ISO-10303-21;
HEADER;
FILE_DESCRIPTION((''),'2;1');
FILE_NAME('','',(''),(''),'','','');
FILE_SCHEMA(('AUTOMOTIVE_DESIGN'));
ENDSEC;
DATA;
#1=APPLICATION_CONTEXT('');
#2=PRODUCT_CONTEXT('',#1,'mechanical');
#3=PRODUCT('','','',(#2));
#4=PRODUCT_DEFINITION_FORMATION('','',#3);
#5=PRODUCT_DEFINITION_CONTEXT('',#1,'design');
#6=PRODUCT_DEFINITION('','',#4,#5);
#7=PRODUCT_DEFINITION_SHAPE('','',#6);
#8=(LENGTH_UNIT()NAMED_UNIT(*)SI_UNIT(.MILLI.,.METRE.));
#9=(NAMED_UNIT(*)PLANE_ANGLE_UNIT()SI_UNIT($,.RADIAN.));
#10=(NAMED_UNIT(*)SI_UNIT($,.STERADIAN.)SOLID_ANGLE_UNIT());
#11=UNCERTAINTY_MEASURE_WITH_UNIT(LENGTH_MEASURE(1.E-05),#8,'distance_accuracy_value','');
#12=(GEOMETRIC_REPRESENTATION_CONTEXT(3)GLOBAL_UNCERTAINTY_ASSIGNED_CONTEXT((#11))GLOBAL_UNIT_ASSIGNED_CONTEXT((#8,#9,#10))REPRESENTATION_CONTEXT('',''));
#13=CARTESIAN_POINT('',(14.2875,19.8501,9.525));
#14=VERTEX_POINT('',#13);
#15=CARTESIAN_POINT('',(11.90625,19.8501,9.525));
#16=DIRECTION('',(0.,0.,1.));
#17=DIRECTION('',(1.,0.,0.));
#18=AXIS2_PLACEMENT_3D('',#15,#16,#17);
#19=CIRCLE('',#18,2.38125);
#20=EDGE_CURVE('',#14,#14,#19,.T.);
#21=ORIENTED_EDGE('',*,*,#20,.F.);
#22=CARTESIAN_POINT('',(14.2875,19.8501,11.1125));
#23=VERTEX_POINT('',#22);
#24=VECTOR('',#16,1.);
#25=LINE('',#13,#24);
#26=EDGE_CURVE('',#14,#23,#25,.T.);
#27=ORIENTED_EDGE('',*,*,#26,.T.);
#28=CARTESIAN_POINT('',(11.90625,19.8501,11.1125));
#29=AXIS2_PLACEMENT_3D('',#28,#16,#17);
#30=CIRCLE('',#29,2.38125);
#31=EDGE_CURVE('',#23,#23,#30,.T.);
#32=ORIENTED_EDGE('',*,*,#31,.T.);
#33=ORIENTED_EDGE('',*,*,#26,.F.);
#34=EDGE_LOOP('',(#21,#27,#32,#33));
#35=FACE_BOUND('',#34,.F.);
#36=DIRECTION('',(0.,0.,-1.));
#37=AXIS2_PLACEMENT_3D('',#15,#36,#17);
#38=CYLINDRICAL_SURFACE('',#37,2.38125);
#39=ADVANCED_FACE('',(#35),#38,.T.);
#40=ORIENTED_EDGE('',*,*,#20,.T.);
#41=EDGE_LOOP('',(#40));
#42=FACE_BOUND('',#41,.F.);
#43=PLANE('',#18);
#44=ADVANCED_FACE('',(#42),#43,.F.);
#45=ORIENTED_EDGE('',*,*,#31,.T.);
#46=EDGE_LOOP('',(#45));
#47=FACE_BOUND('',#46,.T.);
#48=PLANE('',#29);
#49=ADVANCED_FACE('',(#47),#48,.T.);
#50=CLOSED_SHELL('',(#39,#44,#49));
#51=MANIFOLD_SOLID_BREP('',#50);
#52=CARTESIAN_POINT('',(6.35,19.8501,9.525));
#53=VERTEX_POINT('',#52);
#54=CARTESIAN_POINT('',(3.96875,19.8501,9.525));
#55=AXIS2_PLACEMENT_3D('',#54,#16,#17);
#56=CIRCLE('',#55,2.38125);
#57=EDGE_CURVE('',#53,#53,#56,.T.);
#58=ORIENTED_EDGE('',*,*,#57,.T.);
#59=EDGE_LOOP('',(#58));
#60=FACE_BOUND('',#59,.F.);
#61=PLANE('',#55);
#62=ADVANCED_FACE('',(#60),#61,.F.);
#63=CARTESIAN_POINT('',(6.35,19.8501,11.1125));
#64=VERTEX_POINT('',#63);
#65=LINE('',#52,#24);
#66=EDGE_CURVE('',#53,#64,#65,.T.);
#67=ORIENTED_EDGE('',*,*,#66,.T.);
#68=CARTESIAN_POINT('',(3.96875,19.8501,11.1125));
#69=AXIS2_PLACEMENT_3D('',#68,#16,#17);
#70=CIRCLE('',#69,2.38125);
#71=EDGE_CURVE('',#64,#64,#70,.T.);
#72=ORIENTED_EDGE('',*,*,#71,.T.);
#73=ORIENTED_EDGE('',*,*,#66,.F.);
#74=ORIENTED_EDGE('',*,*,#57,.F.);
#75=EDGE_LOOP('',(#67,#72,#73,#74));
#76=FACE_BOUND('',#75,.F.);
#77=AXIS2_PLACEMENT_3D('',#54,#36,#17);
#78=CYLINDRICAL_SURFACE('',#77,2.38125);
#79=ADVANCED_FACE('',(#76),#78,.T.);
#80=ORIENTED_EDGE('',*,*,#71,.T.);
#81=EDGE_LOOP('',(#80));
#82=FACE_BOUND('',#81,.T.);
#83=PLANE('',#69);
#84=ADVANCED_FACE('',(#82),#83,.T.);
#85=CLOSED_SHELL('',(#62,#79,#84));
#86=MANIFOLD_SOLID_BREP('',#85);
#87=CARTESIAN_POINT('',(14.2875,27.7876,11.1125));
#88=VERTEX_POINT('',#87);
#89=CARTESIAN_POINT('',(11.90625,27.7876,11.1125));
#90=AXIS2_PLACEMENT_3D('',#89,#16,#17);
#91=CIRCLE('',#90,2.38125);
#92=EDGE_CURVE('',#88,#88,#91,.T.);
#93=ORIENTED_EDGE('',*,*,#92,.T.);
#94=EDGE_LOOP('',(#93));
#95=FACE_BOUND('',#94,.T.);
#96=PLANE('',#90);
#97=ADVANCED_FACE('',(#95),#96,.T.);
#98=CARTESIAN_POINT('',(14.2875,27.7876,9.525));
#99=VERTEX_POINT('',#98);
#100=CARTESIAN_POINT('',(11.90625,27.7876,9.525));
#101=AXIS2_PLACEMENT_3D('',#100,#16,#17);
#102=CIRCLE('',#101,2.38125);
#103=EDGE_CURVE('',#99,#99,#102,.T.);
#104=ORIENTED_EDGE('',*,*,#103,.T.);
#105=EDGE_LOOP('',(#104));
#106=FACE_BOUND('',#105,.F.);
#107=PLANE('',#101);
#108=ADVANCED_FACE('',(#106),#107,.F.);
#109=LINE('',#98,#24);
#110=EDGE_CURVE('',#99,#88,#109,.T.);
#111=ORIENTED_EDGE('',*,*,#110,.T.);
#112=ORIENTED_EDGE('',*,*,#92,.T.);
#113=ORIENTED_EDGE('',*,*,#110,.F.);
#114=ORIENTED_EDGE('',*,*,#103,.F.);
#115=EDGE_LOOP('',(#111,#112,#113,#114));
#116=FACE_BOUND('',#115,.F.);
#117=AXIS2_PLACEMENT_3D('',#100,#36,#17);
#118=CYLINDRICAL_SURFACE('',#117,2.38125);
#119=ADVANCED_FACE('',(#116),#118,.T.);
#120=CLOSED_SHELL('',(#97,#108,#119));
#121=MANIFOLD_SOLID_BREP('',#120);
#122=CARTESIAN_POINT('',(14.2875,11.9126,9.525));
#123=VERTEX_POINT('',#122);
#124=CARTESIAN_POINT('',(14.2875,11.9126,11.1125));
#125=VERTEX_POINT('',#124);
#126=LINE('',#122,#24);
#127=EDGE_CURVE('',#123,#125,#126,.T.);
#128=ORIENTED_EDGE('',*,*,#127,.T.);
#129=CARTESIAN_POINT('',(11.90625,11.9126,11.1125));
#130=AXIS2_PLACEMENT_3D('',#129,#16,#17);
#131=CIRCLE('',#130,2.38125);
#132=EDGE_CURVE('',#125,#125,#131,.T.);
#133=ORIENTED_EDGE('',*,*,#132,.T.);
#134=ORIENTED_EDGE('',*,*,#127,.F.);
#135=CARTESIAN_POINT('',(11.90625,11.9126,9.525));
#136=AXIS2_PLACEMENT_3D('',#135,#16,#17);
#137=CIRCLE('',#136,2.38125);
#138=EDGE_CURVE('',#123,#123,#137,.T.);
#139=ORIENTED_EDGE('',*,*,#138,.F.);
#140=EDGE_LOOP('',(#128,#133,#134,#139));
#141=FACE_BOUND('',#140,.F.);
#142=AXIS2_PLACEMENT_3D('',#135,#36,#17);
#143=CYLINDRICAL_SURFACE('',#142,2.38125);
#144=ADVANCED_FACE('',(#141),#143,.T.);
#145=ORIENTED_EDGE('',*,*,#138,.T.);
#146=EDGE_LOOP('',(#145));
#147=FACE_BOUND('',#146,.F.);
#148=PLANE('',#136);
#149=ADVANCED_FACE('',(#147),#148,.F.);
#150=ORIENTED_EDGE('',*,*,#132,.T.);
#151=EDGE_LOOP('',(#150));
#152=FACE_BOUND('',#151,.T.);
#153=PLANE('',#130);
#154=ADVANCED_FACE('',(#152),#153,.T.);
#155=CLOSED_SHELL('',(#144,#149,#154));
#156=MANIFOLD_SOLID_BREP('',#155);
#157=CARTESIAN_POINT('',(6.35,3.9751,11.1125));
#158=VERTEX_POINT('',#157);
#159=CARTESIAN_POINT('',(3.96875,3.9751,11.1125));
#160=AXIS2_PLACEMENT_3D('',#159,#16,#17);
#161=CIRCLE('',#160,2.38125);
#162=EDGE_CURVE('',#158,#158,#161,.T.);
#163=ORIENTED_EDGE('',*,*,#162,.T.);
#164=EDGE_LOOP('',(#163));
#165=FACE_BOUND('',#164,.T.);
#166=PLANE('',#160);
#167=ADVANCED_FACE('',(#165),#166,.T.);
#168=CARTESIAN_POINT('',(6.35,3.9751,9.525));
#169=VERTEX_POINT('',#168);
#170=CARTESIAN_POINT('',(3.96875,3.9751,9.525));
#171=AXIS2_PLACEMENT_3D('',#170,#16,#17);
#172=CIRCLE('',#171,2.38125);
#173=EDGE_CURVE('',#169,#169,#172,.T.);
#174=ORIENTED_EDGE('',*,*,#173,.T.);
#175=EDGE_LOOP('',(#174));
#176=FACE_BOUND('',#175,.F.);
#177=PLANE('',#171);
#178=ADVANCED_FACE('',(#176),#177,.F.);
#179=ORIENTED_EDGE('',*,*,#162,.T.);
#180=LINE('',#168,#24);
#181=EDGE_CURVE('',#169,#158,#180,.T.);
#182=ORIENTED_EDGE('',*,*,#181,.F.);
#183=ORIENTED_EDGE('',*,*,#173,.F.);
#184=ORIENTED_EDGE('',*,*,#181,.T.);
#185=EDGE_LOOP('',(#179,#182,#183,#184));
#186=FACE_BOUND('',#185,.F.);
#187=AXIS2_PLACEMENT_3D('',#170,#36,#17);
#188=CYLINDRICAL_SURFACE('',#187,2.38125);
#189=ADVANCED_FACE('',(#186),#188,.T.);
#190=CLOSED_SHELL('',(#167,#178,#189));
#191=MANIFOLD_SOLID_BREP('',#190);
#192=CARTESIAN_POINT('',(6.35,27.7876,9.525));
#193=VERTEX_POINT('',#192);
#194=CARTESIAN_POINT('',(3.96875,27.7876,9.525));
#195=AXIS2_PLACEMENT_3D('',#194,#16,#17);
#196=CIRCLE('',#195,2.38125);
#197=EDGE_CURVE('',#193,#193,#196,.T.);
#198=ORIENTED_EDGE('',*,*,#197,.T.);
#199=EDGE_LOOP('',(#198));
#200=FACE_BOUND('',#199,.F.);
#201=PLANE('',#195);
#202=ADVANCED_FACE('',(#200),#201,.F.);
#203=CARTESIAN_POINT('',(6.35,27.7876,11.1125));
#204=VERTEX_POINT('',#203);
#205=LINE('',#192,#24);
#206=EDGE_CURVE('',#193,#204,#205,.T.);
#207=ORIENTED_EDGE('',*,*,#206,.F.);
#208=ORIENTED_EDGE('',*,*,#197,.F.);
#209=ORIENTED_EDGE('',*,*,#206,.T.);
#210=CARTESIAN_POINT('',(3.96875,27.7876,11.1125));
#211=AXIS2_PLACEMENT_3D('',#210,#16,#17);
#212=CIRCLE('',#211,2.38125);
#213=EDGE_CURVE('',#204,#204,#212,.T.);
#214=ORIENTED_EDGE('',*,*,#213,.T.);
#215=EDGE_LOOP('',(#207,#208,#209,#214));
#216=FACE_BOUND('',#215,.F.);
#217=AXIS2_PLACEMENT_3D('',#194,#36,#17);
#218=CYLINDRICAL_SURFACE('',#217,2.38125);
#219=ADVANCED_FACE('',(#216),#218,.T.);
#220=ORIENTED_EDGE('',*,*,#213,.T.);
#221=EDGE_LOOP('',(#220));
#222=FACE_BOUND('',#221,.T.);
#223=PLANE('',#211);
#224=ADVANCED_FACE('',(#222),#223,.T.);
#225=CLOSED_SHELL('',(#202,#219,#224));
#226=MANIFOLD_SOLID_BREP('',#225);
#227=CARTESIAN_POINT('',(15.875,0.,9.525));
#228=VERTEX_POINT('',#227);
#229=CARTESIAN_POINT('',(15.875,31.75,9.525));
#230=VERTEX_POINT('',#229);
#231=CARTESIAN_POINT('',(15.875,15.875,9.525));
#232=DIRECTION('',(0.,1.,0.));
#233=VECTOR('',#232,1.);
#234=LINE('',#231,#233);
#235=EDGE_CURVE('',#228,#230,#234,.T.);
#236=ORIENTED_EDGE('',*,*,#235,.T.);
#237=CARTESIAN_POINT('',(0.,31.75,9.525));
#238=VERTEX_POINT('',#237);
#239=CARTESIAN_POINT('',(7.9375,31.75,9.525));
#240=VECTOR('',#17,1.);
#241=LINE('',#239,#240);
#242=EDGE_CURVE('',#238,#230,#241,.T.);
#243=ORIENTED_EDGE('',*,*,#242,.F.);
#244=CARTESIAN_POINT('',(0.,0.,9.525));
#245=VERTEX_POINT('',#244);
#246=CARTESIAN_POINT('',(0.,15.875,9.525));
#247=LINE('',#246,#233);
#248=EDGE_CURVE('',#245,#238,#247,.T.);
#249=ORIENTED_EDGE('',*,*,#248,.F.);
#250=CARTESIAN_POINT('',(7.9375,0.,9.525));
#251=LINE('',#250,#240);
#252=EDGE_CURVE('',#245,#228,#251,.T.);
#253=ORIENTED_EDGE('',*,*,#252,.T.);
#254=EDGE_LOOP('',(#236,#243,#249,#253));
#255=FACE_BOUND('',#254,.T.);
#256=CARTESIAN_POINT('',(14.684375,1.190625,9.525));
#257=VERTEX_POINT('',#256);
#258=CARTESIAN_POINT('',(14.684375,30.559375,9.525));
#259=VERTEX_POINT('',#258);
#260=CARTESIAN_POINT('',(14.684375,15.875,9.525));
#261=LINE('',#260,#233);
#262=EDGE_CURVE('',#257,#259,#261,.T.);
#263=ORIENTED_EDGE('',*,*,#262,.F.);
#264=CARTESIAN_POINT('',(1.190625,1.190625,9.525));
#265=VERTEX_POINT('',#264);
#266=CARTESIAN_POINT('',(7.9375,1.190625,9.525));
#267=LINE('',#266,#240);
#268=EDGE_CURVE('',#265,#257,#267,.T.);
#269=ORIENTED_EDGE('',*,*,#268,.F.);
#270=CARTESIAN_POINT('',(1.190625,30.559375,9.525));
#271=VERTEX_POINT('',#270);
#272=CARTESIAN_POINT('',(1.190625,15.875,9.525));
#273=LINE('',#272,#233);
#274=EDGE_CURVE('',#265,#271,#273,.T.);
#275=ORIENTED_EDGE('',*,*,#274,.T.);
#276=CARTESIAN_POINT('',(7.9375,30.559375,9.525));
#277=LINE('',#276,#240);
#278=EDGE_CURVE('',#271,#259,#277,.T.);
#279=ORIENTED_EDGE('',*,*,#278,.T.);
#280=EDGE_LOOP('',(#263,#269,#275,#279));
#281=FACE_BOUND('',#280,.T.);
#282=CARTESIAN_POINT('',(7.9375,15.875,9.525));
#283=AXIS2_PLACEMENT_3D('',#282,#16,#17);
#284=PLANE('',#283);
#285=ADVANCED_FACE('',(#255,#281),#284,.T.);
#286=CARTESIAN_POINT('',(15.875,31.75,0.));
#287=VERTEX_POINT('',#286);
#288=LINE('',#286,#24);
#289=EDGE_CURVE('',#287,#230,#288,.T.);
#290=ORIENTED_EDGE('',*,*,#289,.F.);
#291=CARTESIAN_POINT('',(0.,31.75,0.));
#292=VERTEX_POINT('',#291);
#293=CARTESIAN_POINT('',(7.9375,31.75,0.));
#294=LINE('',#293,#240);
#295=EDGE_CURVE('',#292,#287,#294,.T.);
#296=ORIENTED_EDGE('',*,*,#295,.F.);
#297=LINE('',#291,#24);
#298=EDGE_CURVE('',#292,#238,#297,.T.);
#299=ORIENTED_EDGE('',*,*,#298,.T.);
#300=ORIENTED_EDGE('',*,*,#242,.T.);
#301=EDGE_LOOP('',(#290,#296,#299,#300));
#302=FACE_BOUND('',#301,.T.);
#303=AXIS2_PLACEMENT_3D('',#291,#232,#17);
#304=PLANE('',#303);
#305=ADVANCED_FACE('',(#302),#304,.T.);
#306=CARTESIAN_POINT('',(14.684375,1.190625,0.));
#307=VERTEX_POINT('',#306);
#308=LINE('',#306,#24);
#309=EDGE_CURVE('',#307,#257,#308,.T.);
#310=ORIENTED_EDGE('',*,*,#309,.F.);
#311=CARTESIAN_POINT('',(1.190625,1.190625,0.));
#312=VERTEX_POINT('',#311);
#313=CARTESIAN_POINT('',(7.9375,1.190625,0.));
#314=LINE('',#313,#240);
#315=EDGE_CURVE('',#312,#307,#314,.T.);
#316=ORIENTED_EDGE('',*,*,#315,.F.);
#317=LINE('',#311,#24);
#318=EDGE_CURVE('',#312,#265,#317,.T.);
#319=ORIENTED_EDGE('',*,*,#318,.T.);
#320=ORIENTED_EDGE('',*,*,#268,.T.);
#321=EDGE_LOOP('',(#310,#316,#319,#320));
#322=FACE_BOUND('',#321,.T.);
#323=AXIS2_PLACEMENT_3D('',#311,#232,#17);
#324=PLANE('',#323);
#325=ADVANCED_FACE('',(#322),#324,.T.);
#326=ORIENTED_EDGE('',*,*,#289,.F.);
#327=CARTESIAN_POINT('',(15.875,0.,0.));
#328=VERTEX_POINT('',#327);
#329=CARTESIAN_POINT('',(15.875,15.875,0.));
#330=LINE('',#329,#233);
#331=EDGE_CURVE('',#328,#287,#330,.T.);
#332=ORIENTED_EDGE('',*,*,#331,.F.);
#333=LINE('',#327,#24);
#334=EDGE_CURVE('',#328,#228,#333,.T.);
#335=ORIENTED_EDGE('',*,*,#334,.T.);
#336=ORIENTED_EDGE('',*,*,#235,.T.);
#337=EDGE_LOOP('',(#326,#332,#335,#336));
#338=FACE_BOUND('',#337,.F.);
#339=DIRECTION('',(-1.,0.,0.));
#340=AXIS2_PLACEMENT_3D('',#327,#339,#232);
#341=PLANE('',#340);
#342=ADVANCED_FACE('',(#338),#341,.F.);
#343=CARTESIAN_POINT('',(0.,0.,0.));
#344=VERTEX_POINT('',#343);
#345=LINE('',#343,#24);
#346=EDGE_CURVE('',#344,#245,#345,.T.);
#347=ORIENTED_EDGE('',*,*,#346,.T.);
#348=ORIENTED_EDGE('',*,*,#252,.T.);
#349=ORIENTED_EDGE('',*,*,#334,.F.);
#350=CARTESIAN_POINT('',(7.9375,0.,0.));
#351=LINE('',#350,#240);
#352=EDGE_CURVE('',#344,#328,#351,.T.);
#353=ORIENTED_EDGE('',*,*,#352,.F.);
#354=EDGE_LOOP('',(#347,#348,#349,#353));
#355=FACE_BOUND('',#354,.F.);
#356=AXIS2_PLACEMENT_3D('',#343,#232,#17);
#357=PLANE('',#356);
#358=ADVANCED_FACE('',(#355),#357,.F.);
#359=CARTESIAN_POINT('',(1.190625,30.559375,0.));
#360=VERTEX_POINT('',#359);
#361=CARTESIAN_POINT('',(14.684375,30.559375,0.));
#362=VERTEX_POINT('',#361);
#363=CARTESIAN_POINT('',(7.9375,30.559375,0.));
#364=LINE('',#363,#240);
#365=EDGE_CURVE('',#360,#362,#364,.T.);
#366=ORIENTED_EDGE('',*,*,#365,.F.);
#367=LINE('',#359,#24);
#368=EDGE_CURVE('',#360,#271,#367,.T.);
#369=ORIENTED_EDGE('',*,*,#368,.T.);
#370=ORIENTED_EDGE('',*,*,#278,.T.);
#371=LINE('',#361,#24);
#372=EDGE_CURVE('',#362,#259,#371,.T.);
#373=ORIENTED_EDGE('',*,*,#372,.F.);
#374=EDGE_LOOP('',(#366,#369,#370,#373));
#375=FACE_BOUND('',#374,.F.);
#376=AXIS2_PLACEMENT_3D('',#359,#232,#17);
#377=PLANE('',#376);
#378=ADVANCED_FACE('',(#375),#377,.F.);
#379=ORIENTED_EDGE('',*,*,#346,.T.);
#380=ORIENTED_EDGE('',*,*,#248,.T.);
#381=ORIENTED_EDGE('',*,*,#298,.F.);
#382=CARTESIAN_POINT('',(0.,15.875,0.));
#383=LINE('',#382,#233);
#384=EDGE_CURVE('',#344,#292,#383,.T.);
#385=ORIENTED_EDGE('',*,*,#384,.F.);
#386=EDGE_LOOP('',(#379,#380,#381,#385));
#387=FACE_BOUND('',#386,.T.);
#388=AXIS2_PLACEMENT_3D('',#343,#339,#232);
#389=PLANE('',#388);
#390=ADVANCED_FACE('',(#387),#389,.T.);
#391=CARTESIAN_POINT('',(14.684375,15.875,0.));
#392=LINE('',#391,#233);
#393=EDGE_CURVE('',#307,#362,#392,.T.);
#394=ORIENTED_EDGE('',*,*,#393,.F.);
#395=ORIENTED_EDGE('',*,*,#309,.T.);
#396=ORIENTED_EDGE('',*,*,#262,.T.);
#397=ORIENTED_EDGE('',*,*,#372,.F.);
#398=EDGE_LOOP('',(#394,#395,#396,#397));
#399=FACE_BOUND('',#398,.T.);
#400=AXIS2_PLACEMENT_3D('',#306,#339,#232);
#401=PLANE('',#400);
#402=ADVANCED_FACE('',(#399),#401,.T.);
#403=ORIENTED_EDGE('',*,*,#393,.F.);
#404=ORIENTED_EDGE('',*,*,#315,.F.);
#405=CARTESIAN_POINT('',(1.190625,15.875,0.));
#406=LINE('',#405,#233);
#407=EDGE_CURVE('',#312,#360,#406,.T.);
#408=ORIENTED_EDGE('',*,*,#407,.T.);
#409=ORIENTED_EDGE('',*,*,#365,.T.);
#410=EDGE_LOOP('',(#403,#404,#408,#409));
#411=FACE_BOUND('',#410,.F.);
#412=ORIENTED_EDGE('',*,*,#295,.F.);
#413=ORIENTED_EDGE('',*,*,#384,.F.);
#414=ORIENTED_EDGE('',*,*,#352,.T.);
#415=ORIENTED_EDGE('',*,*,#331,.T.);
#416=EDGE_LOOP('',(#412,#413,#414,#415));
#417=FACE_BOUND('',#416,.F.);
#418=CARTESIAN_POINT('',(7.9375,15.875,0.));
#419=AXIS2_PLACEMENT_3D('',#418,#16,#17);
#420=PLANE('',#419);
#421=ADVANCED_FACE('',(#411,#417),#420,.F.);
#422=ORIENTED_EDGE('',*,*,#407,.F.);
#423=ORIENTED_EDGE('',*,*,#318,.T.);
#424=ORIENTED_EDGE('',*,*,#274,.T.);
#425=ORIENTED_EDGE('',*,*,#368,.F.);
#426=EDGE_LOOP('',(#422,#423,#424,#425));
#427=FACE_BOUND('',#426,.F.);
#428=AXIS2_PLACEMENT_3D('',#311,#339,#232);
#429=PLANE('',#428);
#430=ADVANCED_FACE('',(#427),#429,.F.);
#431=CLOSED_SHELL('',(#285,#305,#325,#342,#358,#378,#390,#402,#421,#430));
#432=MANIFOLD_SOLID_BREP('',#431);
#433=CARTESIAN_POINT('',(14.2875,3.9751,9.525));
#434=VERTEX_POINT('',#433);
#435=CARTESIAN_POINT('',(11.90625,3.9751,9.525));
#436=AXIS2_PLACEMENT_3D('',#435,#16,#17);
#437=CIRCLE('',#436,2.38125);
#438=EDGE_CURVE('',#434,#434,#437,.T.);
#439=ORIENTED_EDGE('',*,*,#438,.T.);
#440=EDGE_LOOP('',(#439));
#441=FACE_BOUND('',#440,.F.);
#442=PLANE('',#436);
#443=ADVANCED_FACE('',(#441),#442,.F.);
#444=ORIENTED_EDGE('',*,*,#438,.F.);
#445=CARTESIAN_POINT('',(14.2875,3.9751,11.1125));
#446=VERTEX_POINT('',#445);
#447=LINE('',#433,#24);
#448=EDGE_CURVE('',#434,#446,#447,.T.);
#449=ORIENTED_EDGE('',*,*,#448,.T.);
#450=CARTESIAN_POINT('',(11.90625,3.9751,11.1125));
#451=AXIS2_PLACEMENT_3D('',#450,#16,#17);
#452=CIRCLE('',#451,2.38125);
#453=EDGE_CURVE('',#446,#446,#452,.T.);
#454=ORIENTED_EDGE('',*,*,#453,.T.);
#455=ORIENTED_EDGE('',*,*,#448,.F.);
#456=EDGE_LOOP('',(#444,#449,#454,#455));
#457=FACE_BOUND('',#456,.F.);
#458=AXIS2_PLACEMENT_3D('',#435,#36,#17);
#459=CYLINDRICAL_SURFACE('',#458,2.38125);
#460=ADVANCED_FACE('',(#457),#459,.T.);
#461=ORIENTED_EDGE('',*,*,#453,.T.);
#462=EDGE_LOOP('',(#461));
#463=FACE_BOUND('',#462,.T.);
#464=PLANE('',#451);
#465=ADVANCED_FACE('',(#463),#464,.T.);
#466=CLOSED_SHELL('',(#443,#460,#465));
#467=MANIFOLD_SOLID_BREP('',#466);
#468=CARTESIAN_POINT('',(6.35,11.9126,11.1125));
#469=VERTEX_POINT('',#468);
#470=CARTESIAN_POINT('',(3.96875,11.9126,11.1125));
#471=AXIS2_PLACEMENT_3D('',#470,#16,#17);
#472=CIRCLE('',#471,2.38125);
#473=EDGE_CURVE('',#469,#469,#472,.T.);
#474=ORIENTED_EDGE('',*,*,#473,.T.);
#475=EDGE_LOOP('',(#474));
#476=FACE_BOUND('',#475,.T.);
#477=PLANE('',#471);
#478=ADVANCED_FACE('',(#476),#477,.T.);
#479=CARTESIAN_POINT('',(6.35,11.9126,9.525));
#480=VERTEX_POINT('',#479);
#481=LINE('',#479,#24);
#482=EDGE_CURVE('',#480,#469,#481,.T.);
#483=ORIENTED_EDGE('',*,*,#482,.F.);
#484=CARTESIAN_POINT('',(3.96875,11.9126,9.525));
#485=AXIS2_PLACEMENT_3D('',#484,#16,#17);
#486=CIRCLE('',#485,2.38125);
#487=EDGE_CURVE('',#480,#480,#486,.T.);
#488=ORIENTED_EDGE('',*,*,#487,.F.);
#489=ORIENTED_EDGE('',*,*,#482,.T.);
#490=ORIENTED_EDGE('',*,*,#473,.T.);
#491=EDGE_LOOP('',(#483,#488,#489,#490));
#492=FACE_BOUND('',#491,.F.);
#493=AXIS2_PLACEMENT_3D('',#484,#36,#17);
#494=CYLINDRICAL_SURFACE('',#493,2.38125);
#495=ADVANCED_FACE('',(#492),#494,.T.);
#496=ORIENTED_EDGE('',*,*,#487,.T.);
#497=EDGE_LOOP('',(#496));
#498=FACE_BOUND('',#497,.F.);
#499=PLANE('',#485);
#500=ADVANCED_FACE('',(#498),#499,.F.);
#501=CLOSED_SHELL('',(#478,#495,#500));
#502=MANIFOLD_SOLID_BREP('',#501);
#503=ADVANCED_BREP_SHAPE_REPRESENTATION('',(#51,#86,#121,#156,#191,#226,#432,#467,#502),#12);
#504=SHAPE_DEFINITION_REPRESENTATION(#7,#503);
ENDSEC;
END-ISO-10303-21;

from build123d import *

# Parameters (mm, degrees)
F0_W     = 15.875
F0_H     = 31.75
F0_W_2   = 13.49375
F0_H_2   = 29.36875
F1_DEPTH = 9.525
F2_R     = 2.38125
F3_DEPTH = 1.5875


with BuildPart() as f1:
    # F0 (on Top) → F1 (new body)
    with BuildSketch(Plane.XY):
        with Locations((7.9375, 15.875)):
            Rectangle(F0_W, F0_H)
        with Locations((7.9375, 15.875)):
            Rectangle(F0_W_2, F0_H_2, mode=Mode.SUBTRACT)
    extrude(amount=F1_DEPTH)


with BuildPart() as f3:
    # F2 (on face) → F3 (new body)
    with BuildSketch(Plane.XY.offset(9.525)):
        with Locations((3.96875, 27.7876)):
            Circle(F2_R)
        with Locations((11.90625, 27.7876)):
            Circle(F2_R)
        with Locations((3.96875, 19.8501)):
            Circle(F2_R)
        with Locations((11.90625, 19.8501)):
            Circle(F2_R)
        with Locations((3.96875, 11.9126)):
            Circle(F2_R)
        with Locations((11.90625, 11.9126)):
            Circle(F2_R)
        with Locations((3.96875, 3.9751)):
            Circle(F2_R)
        with Locations((11.90625, 3.9751)):
            Circle(F2_R)
    extrude(amount=F3_DEPTH)


solid = Compound([f1.part, f3.part])
